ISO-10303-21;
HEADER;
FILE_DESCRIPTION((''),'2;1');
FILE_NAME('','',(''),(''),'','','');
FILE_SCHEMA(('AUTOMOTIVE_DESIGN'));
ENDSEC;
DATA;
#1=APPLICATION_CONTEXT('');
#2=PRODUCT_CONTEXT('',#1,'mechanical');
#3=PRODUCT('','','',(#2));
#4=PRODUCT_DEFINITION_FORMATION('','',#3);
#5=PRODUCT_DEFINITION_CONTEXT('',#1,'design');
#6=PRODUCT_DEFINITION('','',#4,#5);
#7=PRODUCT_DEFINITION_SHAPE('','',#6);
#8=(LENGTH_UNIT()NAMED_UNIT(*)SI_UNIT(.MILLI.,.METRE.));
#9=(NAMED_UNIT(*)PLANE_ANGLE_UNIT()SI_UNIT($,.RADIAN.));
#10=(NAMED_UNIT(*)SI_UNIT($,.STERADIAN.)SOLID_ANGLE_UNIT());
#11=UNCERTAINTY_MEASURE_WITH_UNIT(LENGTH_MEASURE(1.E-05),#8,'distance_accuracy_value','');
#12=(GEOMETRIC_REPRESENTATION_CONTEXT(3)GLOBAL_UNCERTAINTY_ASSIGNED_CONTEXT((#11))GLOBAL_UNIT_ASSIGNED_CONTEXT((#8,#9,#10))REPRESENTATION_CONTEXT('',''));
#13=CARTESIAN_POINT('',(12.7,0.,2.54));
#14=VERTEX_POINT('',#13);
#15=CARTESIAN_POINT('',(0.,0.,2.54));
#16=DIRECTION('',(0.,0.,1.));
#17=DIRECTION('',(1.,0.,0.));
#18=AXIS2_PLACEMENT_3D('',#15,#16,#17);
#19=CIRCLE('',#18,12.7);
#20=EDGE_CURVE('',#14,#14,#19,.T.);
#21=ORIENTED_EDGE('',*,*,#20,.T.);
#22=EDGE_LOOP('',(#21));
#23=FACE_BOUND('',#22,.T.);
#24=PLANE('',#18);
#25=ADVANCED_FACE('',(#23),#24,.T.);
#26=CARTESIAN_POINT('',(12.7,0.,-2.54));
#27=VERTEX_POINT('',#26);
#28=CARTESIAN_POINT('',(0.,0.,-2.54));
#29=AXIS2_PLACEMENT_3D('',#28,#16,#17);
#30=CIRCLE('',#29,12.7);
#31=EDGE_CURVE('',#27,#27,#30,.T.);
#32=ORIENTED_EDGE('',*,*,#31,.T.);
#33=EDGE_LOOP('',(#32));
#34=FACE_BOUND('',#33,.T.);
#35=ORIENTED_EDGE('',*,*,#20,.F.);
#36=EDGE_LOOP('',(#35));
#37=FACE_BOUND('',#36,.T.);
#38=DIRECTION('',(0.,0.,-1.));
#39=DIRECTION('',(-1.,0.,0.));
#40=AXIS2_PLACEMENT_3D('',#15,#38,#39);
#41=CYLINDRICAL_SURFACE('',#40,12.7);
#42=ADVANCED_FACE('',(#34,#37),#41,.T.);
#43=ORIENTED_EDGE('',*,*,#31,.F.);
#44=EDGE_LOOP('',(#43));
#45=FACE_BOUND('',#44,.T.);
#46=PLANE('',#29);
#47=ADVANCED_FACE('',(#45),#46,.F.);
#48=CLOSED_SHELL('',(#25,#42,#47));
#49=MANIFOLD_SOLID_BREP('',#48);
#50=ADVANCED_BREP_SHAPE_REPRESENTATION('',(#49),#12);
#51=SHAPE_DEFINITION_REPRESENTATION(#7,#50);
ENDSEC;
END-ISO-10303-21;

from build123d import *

# Parameters (mm, degrees)
ESQUISSE1_R        = 12.7
BOSS_EXTRU_1_DEPTH = 2.54


with BuildPart() as part:
    # Esquisse1 → Boss.-Extru.1 (new, symmetric)
    with BuildSketch(Plane.XY):
        Circle(ESQUISSE1_R)
    extrude(amount=BOSS_EXTRU_1_DEPTH, both=True)


solid = part.part
